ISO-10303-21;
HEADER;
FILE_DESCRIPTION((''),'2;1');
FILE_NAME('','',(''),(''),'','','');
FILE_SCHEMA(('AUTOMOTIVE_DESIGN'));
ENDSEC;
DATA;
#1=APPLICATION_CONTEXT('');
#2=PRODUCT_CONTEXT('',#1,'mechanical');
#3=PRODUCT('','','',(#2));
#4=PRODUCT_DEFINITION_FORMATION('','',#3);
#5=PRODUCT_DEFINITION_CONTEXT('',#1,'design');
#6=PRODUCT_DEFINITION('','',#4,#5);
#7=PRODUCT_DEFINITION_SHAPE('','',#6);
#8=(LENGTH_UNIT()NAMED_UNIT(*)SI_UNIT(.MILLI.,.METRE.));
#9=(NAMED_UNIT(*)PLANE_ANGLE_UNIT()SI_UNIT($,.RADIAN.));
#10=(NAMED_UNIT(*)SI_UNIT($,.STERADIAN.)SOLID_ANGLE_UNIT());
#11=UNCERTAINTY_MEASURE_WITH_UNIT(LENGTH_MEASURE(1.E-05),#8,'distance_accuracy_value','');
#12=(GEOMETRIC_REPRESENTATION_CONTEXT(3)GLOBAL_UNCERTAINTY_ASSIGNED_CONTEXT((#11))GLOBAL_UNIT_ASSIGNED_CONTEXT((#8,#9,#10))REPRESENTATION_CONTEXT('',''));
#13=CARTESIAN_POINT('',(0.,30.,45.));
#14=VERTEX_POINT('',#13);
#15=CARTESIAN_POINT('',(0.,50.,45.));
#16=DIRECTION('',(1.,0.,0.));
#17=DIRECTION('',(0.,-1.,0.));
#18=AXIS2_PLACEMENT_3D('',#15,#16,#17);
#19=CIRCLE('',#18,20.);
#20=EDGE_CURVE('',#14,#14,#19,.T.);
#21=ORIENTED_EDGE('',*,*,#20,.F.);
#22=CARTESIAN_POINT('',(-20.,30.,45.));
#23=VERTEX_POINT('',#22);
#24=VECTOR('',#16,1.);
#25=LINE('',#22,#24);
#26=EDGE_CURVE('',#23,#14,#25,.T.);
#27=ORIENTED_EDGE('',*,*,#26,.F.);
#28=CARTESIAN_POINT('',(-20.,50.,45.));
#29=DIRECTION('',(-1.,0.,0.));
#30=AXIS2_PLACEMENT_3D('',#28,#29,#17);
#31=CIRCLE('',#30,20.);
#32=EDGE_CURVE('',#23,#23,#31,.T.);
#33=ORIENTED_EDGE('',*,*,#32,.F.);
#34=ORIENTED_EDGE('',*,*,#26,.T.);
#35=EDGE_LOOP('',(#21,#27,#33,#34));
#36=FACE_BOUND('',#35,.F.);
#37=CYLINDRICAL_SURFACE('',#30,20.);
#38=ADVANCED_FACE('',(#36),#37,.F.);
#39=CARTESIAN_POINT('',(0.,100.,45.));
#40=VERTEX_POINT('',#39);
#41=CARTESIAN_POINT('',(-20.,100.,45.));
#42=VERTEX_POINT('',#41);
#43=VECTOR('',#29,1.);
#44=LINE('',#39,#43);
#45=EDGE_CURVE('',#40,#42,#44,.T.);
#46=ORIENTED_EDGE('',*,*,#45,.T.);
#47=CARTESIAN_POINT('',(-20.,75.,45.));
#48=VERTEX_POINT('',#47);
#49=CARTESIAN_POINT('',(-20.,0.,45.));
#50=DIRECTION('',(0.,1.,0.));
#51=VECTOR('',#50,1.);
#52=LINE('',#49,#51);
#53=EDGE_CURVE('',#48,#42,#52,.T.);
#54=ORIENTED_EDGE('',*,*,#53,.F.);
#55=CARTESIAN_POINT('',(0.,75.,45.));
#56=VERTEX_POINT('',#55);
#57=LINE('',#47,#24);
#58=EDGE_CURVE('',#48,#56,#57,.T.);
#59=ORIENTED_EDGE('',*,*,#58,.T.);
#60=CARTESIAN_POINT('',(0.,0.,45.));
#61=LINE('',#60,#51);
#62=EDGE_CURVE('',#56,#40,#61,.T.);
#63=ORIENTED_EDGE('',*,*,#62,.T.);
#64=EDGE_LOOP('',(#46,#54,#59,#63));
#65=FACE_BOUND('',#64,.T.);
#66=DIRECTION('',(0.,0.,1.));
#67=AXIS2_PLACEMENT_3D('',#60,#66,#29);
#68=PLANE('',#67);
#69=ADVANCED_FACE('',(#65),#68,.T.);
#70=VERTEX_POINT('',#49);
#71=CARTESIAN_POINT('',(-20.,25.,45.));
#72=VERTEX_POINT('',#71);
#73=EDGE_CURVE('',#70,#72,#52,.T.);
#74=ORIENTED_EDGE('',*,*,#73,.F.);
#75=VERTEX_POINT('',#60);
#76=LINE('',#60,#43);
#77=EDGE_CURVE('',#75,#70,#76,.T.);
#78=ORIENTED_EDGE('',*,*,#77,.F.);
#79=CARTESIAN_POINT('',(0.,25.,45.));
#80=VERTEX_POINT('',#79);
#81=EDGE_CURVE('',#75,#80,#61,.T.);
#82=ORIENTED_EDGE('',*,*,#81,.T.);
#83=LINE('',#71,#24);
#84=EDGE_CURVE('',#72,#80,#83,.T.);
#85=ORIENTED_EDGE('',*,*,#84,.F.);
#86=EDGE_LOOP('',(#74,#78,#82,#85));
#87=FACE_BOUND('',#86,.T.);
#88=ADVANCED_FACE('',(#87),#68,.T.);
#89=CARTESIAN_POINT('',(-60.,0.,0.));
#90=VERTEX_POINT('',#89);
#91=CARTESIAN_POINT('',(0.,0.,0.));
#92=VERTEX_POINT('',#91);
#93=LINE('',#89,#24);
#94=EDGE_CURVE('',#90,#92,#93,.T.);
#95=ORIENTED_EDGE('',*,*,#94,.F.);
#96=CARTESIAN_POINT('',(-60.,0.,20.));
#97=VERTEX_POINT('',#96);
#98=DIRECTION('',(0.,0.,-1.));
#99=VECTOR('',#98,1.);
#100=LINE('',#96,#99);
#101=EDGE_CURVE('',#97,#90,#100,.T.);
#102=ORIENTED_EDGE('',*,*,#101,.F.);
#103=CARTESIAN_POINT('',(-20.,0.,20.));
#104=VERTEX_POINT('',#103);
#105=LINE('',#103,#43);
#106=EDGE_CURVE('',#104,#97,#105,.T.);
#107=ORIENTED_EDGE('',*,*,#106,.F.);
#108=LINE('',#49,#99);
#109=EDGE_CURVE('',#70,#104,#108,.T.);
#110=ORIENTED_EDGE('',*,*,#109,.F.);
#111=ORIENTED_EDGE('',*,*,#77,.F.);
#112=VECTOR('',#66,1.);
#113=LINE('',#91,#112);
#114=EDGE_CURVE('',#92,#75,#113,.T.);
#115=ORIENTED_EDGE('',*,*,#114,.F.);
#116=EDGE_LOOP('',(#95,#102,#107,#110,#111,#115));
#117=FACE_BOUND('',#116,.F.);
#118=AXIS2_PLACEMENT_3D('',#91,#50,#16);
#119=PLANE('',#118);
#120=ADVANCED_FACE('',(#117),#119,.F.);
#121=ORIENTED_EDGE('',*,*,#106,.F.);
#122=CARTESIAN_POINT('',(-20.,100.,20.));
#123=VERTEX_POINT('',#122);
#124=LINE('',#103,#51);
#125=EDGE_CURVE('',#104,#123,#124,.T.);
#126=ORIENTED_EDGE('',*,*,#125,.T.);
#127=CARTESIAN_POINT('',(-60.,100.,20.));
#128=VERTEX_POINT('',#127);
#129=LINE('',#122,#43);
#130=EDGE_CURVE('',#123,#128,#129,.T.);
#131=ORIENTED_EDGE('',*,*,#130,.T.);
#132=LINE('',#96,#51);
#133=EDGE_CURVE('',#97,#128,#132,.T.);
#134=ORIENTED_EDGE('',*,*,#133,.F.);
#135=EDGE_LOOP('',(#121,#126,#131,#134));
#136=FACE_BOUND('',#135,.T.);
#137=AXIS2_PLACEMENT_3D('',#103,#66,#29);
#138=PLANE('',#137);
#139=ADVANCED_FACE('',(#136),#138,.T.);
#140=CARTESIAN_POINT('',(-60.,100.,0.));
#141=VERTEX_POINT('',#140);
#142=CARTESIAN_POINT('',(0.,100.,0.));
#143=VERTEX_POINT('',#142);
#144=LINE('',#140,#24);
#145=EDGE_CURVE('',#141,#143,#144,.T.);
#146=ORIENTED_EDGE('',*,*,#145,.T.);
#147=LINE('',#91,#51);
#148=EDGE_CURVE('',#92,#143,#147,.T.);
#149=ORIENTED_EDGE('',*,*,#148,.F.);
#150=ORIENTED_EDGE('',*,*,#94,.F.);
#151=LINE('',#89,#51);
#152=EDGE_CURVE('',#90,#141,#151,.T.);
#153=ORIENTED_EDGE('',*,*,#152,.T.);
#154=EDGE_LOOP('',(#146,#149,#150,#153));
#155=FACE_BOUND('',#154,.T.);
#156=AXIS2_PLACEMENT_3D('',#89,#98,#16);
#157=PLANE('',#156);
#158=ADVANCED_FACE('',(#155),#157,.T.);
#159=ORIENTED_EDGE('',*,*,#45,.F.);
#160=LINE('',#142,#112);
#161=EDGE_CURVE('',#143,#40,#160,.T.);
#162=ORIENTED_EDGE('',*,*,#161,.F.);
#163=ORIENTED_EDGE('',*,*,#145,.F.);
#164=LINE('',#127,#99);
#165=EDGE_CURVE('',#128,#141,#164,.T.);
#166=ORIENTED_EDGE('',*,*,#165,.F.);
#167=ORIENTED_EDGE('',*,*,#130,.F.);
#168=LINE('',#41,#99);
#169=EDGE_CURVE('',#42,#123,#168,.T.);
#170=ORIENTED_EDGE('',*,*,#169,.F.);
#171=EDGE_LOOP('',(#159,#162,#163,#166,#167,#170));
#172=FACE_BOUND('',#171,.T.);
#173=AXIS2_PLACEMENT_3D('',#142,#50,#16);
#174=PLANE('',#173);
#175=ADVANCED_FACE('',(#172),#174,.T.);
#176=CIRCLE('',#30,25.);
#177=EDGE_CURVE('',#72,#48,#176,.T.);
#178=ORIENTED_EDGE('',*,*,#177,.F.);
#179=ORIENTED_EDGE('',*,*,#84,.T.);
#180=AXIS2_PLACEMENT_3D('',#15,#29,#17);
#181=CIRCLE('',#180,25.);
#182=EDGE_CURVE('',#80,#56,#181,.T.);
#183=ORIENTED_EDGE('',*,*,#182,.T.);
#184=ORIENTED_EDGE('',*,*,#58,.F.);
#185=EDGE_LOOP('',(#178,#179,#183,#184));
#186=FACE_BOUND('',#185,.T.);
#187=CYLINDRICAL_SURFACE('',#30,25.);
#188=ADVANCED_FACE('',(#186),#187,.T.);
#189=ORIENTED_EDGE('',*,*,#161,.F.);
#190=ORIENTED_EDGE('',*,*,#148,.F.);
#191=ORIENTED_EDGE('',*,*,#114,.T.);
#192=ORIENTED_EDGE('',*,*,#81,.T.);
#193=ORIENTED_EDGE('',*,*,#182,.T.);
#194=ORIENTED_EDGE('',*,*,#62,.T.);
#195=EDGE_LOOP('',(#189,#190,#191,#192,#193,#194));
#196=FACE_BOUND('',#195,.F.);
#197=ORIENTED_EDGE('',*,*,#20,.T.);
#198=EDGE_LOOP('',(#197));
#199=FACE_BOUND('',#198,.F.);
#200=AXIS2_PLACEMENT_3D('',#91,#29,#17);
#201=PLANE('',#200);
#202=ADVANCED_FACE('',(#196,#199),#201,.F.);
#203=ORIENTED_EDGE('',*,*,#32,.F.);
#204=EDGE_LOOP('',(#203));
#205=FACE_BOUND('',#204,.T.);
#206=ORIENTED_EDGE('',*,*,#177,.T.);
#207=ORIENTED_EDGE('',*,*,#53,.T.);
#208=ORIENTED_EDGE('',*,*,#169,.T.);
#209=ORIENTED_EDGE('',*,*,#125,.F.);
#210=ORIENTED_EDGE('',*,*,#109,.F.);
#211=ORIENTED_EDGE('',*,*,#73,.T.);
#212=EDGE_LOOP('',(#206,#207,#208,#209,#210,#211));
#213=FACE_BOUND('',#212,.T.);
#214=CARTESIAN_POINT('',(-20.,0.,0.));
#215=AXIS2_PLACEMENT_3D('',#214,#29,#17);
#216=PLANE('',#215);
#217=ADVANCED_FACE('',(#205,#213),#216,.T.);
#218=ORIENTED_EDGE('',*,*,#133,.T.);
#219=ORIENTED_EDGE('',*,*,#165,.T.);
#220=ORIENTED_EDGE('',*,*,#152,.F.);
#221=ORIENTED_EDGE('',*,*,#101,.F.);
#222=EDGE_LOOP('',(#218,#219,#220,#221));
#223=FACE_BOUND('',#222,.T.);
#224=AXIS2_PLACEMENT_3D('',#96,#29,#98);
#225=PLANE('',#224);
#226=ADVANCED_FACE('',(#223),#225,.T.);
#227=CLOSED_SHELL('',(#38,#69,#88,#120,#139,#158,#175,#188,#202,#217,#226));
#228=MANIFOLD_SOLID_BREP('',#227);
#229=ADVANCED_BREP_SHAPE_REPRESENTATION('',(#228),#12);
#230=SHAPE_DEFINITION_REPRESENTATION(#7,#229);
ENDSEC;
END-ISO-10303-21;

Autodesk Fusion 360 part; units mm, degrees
sketch "Sketch1" plane through (0, 0, 0) normal (0, 1, 0) x (1, 0, 0)
  line L0 (0, 0) -> (0, -45)
  line L1 (0, -45) -> (-20, -45)
  line L2 (-20, -45) -> (-20, -20)
  line L3 (-20, -20) -> (-60, -20)
  line L4 (-60, -20) -> (-60, 0)
  line L5 (-60, 0) -> (0, 0)
  dimension "d1" = 60
  dimension "d2" = 45
  dimension "d3" = 20
  dimension "d4" = 20
extrude "Extrude1" add sketch "Sketch1" along normal blind 100
sketch "Sketch2" plane through (-20, 0, 0) normal (-1, 0, 0) x (0, -1, 0)
  line L0 (0, 20) -> (0, 45)
  line L1 (0, 45) -> (-100, 45)
  line L2 (-100, 45) -> (-100, 20)
  line L3 (-100, 20) -> (0, 20)
  arc A0 (-25, 45) -> (-75, 45) centre (-50, 45) ccw
  circle A1 centre (-50, 45) radius 20
  dimension "d7" = 50
  dimension "d8" = 40
extrude "Extrude2" cut sketch "Sketch2" against normal blind 25.469 contours L1 A1 | L1 A1
extrude "Extrude3" add sketch "Sketch2" against normal blind 20 contours L1 A0 A1
